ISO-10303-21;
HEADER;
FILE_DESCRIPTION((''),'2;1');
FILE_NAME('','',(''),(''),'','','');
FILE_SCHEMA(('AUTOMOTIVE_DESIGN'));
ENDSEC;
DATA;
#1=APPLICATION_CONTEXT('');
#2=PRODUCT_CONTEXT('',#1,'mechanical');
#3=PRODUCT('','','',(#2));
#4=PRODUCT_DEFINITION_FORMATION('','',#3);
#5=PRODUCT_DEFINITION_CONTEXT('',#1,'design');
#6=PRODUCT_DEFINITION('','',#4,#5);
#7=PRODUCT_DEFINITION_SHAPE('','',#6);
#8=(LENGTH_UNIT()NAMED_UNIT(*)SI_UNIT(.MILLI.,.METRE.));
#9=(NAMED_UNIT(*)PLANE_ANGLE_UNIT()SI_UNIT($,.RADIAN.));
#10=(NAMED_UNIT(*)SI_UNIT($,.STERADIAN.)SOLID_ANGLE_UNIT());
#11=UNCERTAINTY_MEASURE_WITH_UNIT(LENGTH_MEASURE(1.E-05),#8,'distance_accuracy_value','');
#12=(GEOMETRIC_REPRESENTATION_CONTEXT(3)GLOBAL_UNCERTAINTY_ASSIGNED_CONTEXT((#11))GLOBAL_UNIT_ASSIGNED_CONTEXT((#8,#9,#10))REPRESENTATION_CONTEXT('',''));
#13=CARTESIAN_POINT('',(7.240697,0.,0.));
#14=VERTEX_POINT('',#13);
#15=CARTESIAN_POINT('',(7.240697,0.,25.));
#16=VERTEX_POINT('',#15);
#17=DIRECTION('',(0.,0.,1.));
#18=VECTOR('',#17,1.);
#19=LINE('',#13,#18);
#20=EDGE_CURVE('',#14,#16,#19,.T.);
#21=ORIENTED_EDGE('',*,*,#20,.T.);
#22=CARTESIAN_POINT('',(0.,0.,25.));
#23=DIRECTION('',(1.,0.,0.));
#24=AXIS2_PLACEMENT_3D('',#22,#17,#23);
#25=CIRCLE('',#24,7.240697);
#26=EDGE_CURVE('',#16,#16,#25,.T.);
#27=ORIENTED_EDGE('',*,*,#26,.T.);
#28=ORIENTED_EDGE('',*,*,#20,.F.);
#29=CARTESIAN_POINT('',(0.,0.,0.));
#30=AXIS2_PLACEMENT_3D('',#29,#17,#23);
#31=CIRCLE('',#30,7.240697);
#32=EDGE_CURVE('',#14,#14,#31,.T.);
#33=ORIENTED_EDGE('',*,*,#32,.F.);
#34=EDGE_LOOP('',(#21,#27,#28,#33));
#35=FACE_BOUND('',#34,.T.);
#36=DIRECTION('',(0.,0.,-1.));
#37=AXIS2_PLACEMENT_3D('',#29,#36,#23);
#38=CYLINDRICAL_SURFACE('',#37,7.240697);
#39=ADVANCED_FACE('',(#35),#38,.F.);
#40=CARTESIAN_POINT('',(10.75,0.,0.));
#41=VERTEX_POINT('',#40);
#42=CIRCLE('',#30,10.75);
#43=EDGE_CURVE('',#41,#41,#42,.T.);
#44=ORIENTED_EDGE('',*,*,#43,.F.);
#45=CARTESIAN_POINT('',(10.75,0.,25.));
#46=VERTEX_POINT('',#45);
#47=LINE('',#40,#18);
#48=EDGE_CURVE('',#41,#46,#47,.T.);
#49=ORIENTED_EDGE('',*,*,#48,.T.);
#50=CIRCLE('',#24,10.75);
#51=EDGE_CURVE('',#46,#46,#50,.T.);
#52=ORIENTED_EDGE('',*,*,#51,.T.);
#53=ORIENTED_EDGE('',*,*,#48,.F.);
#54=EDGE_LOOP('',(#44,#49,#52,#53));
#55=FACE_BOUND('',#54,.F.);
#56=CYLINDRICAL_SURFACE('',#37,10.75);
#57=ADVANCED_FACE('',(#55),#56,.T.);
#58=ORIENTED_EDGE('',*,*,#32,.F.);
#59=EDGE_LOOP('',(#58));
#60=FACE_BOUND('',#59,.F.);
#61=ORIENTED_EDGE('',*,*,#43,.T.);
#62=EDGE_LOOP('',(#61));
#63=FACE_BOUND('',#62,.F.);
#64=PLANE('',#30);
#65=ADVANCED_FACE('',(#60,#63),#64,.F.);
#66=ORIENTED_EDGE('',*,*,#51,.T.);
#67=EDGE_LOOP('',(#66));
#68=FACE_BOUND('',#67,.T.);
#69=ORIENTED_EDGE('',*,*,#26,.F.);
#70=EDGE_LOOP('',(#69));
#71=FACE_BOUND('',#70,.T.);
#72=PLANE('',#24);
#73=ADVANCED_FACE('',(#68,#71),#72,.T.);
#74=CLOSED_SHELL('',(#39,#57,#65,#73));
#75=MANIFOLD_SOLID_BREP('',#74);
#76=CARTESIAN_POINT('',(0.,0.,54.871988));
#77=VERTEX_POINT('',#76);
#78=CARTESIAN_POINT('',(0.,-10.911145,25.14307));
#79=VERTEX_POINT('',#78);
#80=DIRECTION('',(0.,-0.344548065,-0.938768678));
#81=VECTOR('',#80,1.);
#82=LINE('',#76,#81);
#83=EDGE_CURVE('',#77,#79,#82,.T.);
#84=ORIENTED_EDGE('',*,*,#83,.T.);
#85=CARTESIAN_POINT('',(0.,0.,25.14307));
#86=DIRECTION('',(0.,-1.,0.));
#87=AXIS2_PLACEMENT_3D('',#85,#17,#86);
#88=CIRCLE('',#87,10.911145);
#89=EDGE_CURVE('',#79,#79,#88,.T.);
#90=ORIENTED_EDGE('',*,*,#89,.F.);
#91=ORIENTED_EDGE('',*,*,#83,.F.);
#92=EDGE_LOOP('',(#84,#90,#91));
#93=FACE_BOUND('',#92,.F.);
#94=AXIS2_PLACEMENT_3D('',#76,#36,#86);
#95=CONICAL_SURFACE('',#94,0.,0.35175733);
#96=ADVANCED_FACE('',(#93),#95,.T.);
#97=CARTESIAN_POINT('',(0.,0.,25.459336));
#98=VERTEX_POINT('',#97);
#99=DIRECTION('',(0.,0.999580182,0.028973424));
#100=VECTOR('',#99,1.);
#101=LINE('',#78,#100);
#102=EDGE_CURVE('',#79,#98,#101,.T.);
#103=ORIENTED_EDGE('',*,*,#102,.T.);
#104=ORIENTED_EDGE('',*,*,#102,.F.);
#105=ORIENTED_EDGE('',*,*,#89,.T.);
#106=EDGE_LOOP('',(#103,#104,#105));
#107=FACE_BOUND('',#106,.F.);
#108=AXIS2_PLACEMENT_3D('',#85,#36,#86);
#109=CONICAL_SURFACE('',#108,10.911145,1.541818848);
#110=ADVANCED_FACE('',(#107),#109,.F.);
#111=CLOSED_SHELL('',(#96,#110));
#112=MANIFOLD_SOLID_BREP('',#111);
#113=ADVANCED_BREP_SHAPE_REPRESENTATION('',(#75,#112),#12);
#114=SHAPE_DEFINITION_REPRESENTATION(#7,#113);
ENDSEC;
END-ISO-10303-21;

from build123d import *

# Parameters (mm, degrees)
F0_R     = 10.75
F0_R_2   = 7.240697
F1_DEPTH = 25


with BuildPart() as f1:
    # F0 (on Top) → F1 (new body)
    with BuildSketch(Plane.XY):
        Circle(F0_R)
        Circle(F0_R_2, mode=Mode.SUBTRACT)
    extrude(amount=F1_DEPTH)


with BuildPart() as f4:
    # F2 (on Right) → F4 (revolve)
    with BuildSketch(Plane.YZ):
        Polygon((-10.911145, 25.14307), (0, 25.459336), (0, 54.871988), align=None)
    revolve(axis=Axis((0, 0, 11.622741), (0, 0, 1)))


solid = Compound([f1.part, f4.part])
